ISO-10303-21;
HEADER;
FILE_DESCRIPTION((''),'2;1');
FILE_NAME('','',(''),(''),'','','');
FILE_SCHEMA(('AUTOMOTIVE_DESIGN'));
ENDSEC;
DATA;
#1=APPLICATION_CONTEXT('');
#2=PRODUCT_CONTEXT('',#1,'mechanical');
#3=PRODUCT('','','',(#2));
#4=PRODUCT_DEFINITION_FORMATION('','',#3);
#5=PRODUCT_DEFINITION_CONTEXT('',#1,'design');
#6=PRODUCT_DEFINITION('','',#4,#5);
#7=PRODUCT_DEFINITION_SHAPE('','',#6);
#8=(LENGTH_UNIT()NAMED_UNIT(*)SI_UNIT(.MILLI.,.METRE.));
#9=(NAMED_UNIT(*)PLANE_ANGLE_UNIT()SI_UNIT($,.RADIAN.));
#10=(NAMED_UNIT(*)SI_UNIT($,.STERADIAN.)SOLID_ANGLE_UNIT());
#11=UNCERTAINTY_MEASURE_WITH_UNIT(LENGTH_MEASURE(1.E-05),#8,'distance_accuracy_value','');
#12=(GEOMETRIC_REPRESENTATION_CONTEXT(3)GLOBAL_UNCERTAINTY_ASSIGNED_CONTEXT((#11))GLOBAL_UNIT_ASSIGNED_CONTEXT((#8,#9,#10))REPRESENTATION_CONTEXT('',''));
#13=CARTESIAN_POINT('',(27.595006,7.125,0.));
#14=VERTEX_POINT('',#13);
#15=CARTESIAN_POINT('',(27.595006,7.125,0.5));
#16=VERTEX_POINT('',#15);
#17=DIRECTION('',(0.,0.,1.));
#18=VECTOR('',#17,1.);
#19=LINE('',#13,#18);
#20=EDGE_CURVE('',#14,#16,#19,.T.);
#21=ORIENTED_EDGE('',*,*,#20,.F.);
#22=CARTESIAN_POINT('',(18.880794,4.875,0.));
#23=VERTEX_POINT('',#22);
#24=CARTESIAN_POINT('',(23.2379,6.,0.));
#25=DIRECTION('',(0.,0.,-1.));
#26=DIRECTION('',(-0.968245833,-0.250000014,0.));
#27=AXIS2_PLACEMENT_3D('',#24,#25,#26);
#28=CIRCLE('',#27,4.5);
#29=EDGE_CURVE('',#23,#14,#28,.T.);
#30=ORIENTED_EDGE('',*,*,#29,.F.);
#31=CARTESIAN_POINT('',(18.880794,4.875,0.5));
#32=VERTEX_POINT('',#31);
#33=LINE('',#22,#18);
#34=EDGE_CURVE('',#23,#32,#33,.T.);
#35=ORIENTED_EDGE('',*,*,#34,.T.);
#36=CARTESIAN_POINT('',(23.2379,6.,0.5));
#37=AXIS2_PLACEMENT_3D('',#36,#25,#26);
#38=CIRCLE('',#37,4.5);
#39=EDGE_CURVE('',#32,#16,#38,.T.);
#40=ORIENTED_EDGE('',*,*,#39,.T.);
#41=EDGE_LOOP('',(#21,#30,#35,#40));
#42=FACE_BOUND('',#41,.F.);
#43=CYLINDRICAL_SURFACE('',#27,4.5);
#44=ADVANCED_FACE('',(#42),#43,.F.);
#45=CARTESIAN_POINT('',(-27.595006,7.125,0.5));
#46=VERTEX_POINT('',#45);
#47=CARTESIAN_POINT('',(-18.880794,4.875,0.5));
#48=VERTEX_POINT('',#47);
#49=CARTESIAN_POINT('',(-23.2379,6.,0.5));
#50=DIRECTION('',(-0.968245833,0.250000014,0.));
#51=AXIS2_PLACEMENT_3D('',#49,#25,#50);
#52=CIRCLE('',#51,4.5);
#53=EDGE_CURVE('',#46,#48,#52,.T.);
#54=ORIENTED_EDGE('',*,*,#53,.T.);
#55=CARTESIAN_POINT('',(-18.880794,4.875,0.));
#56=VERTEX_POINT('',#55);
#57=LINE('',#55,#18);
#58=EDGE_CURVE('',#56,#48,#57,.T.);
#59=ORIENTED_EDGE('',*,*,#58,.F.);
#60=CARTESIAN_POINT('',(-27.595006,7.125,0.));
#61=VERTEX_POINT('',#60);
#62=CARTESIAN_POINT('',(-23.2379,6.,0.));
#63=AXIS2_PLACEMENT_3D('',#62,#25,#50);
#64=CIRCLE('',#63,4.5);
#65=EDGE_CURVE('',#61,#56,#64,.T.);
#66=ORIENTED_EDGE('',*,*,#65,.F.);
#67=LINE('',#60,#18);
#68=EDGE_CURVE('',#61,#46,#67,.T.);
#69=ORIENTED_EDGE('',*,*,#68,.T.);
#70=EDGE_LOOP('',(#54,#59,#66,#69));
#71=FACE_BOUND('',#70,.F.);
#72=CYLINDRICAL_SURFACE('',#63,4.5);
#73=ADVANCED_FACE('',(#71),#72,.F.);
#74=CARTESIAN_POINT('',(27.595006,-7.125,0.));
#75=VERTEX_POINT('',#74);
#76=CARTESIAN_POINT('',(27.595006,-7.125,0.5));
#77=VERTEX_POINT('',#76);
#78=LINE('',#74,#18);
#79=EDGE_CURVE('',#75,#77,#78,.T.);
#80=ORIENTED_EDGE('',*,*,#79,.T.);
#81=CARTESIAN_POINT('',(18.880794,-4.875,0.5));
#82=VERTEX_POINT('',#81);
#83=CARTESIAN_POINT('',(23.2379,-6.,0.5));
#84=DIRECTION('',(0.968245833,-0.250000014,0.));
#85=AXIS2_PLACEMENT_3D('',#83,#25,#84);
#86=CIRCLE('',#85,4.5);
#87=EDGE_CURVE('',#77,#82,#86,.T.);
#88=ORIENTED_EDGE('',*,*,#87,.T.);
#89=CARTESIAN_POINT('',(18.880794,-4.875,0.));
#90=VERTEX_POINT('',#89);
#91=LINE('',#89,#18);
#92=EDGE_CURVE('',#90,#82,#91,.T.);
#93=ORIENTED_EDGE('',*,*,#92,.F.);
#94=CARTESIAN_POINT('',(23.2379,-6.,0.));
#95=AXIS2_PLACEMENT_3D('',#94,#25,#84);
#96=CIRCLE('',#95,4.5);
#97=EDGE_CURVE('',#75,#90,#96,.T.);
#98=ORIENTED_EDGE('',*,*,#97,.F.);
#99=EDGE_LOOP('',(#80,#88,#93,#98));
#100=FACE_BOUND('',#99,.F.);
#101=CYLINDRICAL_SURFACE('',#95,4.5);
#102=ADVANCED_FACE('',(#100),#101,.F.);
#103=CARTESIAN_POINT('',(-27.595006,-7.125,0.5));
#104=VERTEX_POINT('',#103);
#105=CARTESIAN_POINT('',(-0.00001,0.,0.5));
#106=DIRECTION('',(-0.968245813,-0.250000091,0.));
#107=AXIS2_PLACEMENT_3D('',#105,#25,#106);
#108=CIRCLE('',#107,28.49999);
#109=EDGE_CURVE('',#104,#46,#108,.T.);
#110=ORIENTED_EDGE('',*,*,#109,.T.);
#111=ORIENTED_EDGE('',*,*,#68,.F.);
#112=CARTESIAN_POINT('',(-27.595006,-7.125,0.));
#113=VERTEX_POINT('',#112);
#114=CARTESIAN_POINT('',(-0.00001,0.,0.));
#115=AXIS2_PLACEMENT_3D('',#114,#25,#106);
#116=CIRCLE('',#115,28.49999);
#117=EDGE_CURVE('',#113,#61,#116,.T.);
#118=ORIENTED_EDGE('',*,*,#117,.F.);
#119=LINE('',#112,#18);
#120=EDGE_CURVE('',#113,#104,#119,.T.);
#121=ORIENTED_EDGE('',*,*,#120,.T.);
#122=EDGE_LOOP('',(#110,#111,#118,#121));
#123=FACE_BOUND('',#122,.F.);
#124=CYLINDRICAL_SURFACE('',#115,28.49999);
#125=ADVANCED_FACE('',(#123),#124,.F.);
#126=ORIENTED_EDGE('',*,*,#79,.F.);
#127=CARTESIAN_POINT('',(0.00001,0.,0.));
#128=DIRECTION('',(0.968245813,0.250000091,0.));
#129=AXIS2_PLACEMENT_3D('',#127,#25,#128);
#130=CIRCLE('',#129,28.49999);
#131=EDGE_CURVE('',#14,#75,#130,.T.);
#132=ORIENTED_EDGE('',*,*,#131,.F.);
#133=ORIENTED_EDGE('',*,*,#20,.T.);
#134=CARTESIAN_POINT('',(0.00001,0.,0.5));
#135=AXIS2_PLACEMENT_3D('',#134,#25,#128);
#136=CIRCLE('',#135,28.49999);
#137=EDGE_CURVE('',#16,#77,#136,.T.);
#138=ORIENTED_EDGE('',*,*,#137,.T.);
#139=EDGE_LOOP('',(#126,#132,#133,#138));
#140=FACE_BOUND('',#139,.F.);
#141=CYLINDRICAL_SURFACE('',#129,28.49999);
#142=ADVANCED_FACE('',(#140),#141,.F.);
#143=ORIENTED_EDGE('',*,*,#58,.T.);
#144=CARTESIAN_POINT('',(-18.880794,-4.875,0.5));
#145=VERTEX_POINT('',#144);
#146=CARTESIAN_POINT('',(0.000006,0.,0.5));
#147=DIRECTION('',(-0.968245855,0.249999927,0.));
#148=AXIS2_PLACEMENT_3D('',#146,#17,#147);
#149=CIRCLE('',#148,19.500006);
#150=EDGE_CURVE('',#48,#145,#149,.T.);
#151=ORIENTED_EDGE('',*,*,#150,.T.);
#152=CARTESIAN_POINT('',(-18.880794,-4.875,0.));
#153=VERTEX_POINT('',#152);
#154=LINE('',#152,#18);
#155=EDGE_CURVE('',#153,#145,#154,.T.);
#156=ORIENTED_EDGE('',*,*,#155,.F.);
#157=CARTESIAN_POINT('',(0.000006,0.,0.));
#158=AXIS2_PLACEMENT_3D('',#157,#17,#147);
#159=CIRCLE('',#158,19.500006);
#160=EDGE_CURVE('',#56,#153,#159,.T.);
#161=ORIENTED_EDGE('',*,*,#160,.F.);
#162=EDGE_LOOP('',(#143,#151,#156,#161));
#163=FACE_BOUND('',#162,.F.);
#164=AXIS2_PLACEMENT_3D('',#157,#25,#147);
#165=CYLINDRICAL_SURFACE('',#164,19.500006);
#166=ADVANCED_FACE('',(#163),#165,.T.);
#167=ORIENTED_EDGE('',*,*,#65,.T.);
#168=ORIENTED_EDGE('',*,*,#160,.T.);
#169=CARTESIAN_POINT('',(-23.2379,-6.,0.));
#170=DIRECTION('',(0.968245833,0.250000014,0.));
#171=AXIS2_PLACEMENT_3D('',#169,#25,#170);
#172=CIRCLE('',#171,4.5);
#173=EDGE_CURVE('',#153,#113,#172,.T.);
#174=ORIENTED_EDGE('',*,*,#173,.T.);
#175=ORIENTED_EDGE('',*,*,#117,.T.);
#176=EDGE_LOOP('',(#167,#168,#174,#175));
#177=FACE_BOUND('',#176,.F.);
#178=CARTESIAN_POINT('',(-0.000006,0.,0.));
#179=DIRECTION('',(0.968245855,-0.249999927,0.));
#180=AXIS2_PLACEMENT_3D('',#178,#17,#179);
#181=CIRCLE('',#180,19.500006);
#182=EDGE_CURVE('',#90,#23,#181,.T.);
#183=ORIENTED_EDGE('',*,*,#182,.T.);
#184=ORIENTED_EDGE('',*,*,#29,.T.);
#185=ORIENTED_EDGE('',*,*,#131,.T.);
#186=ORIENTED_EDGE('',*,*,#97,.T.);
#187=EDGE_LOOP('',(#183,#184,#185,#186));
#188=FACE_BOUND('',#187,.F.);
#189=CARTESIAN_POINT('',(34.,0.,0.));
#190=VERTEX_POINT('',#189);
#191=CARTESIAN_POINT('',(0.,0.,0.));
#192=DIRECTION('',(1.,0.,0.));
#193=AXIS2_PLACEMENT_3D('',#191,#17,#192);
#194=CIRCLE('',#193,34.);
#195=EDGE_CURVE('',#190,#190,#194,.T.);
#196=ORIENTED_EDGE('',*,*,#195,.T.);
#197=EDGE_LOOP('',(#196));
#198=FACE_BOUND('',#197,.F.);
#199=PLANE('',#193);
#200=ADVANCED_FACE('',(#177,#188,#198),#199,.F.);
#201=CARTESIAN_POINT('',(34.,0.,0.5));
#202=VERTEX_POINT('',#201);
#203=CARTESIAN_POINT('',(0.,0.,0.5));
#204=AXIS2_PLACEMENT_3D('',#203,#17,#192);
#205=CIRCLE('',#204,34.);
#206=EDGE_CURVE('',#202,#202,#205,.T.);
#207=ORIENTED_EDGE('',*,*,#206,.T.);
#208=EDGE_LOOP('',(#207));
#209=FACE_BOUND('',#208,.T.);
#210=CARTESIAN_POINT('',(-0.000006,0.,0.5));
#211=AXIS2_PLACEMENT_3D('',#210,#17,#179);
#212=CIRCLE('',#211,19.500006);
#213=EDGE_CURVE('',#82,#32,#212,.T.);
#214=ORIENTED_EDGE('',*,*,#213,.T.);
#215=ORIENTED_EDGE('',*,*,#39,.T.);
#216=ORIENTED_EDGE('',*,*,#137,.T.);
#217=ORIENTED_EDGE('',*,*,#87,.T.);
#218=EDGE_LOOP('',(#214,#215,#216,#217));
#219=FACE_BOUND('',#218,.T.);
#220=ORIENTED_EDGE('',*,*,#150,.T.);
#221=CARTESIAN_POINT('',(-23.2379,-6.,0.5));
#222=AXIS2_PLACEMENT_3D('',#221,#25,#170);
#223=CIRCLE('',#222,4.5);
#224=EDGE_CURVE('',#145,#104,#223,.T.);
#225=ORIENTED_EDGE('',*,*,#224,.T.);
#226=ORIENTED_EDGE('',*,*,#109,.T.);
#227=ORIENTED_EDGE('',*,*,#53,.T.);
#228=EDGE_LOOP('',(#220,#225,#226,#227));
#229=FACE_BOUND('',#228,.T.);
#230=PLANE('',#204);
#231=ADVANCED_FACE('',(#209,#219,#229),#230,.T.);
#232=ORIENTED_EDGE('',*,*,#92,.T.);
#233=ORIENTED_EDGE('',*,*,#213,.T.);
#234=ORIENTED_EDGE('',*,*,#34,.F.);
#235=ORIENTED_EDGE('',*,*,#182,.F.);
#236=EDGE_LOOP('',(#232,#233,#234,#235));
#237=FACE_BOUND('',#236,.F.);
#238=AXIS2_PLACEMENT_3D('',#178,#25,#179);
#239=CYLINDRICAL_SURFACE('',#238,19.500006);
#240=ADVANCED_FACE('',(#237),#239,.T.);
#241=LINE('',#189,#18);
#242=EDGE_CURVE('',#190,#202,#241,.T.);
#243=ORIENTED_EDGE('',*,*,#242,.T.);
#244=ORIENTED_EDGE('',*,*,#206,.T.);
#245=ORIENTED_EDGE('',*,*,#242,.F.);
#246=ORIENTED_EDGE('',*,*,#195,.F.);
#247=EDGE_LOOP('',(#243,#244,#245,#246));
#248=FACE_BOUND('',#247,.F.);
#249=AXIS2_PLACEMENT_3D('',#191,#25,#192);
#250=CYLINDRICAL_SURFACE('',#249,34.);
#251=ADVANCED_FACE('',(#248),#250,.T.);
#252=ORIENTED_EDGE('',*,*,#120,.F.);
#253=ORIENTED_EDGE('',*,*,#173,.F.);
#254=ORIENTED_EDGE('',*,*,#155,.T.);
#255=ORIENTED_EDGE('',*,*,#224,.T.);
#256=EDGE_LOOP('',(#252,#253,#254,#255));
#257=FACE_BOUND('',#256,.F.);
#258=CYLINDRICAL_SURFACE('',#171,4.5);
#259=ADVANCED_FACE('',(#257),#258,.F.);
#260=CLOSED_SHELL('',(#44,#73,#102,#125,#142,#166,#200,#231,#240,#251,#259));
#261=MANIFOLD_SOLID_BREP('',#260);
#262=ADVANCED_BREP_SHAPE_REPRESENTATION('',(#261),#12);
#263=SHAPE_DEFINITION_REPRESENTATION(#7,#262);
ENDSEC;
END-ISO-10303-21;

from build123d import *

# Parameters (mm, degrees)
F0_R     = 34
F1_DEPTH = 0.5


with BuildPart() as f1:
    # F0 (on Top) → F1 (new body)
    with BuildSketch(Plane.XY):
        Circle(F0_R)
        with BuildLine():
            ThreePointArc((-27.595006, 7.125), (-22.1129, 10.357106), (-18.880794, 4.875))
            ThreePointArc((-18.880794, 4.875), (-19.5, 0), (-18.880794, -4.875))
            ThreePointArc((-18.880794, -4.875), (-22.1129, -10.357106), (-27.595006, -7.125))
            ThreePointArc((-27.595006, -7.125), (-28.5, 0), (-27.595006, 7.125))
        make_face(mode=Mode.SUBTRACT)
        with BuildLine():
            ThreePointArc((18.880794, -4.875), (19.5, 0), (18.880794, 4.875))
            ThreePointArc((18.880794, 4.875), (22.1129, 10.357106), (27.595006, 7.125))
            ThreePointArc((27.595006, 7.125), (28.5, 0), (27.595006, -7.125))
            ThreePointArc((27.595006, -7.125), (22.1129, -10.357106), (18.880794, -4.875))
        make_face(mode=Mode.SUBTRACT)
    extrude(amount=F1_DEPTH)


solid = f1.part
